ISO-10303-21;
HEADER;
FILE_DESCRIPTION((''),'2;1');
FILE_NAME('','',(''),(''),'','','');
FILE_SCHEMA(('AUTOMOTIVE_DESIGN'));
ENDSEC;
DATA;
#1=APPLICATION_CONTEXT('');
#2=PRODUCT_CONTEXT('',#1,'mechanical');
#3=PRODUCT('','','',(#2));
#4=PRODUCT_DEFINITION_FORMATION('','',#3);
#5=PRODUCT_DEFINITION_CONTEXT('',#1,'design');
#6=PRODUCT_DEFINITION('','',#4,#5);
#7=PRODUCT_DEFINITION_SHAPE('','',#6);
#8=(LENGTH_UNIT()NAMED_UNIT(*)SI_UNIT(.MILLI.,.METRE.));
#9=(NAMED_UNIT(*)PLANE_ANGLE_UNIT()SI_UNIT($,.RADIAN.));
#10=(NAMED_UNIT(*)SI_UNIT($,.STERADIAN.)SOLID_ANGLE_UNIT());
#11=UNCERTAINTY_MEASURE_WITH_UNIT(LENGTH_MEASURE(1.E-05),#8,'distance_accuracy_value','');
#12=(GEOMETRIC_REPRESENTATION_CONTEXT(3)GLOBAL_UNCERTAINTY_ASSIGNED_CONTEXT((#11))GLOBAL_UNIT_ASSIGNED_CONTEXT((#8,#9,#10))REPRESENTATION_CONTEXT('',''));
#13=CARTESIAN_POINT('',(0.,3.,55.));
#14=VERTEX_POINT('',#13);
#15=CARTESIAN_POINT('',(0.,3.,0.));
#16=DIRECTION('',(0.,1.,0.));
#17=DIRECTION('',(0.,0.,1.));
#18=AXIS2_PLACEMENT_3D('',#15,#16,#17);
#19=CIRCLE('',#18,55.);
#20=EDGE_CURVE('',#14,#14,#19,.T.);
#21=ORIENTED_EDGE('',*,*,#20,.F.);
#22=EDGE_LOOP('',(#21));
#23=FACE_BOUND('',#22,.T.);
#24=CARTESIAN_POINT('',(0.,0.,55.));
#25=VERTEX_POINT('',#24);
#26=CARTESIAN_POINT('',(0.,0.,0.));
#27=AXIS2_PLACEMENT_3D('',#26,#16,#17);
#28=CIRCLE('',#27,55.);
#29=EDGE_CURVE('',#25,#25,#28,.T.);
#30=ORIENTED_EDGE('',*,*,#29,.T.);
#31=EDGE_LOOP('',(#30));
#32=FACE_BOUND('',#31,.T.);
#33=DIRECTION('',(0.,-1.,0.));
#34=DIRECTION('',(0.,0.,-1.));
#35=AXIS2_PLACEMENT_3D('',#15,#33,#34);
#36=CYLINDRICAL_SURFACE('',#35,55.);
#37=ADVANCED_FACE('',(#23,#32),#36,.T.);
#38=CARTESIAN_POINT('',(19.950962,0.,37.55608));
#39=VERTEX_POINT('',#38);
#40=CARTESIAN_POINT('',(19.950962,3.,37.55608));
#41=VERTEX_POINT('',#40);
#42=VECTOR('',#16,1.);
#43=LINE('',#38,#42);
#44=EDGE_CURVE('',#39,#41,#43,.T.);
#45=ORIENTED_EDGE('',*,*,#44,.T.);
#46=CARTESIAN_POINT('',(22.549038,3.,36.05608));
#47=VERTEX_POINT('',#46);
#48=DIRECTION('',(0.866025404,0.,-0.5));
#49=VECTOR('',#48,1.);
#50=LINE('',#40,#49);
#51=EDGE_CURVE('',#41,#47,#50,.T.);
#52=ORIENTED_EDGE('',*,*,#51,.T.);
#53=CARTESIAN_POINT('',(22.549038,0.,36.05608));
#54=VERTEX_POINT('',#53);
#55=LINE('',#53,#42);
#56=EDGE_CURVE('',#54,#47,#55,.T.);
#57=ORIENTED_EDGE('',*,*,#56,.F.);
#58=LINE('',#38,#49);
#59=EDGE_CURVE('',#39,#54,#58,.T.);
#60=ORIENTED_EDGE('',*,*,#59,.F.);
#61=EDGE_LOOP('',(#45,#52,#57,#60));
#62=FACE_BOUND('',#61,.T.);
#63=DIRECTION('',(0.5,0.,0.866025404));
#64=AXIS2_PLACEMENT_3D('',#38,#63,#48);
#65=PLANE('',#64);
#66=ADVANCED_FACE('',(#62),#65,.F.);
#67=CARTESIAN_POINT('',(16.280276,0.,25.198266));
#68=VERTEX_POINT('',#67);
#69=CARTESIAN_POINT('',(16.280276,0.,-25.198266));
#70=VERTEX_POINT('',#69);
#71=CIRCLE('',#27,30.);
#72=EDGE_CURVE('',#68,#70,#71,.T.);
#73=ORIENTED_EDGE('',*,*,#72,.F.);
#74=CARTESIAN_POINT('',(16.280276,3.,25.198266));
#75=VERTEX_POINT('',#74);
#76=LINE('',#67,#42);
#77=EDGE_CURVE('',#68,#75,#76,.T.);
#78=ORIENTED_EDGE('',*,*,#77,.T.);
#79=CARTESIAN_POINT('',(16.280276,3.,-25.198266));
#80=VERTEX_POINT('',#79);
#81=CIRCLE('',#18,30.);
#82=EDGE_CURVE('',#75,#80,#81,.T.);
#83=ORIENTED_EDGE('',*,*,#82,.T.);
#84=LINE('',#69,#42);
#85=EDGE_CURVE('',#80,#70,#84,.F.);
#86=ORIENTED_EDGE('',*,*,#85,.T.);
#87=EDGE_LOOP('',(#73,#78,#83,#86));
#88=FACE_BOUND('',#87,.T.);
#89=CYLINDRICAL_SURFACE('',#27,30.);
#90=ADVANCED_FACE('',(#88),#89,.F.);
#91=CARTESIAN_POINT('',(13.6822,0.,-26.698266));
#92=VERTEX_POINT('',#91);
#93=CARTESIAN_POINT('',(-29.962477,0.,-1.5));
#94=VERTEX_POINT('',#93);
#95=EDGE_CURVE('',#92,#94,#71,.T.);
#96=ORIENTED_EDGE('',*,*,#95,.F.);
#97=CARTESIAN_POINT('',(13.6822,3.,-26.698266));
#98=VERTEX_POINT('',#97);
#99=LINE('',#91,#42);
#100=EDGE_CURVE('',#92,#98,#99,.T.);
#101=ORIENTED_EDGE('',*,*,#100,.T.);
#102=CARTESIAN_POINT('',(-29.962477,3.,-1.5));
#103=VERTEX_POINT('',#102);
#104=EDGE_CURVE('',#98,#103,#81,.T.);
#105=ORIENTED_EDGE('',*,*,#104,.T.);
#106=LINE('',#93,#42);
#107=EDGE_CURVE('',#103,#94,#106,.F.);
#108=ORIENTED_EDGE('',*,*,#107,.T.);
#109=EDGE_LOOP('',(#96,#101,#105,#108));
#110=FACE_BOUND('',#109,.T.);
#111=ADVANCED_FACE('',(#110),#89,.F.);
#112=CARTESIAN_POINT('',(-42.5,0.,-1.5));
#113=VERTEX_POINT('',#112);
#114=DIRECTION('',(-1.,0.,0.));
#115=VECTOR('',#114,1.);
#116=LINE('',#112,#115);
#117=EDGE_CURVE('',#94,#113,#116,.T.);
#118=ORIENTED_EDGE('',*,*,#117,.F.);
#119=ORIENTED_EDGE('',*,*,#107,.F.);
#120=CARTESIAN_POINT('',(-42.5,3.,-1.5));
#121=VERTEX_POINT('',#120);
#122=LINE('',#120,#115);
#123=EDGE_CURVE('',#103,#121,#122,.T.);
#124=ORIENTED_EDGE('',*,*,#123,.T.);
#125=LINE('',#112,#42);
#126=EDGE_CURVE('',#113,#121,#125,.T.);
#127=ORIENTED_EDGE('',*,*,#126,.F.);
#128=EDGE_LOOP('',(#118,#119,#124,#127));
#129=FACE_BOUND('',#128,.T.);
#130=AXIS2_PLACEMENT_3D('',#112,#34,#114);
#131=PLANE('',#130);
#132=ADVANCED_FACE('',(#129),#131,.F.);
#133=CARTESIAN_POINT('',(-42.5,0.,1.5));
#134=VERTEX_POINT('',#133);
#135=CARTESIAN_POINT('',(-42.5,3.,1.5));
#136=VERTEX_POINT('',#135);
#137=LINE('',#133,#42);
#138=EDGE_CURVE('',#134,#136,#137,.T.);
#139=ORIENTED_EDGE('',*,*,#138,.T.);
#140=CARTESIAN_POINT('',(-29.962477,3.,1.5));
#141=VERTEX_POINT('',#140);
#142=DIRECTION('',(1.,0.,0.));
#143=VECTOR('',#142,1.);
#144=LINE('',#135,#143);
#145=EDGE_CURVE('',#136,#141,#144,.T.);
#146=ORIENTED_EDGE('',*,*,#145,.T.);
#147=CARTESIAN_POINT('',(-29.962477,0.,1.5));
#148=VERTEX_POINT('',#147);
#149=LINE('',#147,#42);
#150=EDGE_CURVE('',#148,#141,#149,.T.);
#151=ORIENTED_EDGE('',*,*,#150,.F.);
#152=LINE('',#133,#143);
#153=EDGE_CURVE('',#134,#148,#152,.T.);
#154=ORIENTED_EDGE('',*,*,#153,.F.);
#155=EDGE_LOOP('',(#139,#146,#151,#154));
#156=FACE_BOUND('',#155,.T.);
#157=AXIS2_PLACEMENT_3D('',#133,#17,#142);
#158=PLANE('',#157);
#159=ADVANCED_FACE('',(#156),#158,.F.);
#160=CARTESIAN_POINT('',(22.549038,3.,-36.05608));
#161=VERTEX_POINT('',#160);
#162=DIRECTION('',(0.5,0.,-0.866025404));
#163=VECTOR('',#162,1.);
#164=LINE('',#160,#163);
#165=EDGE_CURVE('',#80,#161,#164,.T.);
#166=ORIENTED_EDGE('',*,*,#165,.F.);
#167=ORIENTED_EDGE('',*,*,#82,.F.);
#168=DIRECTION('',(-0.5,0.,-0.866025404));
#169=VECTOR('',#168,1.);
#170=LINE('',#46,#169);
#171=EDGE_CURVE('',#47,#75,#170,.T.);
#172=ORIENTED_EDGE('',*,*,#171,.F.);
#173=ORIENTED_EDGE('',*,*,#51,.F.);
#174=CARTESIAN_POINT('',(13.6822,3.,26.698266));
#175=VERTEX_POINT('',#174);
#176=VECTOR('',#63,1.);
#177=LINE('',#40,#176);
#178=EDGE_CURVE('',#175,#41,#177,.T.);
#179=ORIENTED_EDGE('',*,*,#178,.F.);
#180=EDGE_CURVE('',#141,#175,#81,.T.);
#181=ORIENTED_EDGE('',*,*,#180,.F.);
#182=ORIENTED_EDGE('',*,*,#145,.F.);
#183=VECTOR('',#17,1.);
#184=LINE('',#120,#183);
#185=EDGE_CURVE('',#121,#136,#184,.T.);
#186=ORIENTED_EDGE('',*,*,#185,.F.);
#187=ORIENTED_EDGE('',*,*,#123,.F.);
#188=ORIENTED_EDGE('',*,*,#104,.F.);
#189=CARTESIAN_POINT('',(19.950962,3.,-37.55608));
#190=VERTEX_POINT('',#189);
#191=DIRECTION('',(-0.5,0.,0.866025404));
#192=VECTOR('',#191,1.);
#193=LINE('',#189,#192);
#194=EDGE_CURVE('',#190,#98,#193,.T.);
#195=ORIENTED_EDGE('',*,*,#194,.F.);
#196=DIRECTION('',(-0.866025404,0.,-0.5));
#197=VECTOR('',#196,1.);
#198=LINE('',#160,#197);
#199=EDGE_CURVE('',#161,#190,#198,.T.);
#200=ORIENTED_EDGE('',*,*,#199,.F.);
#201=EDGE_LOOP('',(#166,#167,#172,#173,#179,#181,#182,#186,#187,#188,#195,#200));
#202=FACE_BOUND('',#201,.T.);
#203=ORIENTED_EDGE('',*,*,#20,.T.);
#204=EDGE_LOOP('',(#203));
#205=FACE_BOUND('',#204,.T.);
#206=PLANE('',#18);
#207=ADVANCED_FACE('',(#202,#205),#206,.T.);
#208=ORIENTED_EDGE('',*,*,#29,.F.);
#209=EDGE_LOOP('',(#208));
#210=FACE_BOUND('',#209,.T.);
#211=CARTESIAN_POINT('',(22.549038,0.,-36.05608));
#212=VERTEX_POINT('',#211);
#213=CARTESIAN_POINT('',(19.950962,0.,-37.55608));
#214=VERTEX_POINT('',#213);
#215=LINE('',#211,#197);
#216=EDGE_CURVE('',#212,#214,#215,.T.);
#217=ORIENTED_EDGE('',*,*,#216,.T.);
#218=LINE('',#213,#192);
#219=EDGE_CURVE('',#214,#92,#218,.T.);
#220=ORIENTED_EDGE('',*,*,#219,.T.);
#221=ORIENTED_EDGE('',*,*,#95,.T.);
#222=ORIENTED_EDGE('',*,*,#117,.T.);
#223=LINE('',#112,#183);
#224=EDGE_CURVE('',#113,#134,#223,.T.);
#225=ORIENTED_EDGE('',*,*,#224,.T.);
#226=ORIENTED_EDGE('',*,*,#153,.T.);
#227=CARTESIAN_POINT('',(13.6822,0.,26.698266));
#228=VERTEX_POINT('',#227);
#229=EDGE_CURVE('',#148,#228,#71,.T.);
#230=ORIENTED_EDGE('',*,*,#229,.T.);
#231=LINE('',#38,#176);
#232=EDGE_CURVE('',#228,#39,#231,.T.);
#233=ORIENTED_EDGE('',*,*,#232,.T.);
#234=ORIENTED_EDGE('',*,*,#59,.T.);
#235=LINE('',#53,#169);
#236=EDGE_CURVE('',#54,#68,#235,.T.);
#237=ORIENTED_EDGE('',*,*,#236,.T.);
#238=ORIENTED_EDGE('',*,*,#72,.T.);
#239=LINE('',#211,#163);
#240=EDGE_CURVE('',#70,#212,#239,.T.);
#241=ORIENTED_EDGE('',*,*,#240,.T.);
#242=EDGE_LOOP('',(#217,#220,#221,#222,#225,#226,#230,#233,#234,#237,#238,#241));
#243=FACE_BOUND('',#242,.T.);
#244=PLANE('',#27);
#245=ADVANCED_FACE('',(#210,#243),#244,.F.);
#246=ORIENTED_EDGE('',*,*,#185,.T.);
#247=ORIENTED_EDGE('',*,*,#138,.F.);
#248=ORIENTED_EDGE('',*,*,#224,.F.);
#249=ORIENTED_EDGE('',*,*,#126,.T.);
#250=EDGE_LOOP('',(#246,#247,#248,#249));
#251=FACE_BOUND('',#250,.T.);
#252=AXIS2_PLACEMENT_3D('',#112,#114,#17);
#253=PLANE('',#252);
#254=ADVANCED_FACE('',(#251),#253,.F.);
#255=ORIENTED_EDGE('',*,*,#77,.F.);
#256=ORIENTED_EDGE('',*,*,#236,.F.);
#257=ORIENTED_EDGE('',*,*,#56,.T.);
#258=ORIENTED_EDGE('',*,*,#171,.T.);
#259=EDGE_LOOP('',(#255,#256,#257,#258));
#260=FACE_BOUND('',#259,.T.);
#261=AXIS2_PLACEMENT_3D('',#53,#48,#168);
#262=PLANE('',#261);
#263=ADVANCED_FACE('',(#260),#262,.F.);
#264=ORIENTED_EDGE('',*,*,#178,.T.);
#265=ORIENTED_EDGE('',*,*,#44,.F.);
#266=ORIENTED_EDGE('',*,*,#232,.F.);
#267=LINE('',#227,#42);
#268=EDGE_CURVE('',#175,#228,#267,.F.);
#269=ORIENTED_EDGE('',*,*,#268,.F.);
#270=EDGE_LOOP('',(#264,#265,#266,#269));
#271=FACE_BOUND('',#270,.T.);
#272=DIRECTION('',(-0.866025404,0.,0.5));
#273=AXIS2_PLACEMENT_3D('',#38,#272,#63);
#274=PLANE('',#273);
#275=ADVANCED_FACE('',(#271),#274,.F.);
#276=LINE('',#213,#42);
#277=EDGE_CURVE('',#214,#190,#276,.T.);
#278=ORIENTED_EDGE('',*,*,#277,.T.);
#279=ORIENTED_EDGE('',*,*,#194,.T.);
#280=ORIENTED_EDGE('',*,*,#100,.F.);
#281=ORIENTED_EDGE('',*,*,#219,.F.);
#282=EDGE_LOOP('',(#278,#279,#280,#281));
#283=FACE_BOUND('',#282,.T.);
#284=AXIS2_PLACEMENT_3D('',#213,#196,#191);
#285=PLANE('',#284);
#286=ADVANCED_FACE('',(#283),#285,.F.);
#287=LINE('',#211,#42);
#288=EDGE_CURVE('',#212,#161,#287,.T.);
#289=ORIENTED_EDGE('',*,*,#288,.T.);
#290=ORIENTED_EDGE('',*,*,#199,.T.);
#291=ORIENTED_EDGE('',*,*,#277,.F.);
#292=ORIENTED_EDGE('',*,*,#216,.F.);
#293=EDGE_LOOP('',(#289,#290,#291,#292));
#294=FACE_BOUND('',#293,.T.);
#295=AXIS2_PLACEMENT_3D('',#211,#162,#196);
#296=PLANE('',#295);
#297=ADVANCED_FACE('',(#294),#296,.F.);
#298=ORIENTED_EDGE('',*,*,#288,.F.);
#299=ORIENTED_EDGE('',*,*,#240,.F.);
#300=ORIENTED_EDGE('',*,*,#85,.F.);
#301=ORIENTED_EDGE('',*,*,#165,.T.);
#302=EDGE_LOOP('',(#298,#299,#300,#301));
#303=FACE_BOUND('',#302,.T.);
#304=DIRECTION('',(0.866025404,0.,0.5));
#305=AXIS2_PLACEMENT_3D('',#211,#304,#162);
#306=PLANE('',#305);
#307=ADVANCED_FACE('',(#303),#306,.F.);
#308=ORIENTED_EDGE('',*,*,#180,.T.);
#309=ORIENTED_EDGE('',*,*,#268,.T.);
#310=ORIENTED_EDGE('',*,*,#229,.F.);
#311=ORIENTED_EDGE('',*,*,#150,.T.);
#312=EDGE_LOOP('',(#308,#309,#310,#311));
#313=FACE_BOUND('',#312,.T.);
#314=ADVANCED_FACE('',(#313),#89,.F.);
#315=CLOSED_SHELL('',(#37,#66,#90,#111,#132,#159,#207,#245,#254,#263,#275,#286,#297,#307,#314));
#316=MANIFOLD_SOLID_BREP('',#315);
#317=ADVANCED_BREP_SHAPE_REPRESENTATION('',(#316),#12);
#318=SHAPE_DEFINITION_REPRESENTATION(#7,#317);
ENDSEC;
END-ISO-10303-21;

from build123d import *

# Parameters (mm, degrees)
SKETCH1_R           = 55
BOSS_EXTRUDE1_DEPTH = 3
SKETCH2_R           = 30
CUT_EXTRUDE1_DEPTH  = 3
SKETCH3_W           = 25
SKETCH3_H           = 3
CUT_EXTRUDE2_DEPTH  = 3
CIRPATTERN1_COUNT   = 3


with BuildPart() as part:
    # Sketch1 → Boss-Extrude1 (new body)
    with BuildSketch(Plane(origin=(0, 0, 0), x_dir=(1, 0, 0), z_dir=(0, 1, 0))):
        with Locations(Location((0, 0, 0), (0, 0, 270))):
            Circle(SKETCH1_R)
    extrude(amount=BOSS_EXTRUDE1_DEPTH)

    # Sketch2 → Cut-Extrude1 (cut)
    with BuildSketch(Plane(origin=(0, 3, 0), x_dir=(1, 0, 0), z_dir=(0, 1, 0))):
        with Locations(Location((0, 0, 0), (0, 0, 270))):
            Circle(SKETCH2_R)
    extrude(amount=-CUT_EXTRUDE1_DEPTH, mode=Mode.SUBTRACT)

    # Sketch3 → Cut-Extrude2 (cut)
    with BuildSketch(Plane(origin=(0, 3, 0), x_dir=(1, 0, 0), z_dir=(0, 1, 0))):
        with Locations((-30, 0)):
            Rectangle(SKETCH3_W, SKETCH3_H)
    cut_extrude2 = extrude(amount=-CUT_EXTRUDE2_DEPTH, mode=Mode.SUBTRACT)

    # CirPattern1: Cut-Extrude2 ×3 about axis
    cirpattern1_axis = Axis((0, 0, 0), (0, 1, 0))
    for i in range(1, CIRPATTERN1_COUNT):
        add(cut_extrude2.rotate(cirpattern1_axis, i * 360 / CIRPATTERN1_COUNT), mode=Mode.SUBTRACT)


solid = part.part
